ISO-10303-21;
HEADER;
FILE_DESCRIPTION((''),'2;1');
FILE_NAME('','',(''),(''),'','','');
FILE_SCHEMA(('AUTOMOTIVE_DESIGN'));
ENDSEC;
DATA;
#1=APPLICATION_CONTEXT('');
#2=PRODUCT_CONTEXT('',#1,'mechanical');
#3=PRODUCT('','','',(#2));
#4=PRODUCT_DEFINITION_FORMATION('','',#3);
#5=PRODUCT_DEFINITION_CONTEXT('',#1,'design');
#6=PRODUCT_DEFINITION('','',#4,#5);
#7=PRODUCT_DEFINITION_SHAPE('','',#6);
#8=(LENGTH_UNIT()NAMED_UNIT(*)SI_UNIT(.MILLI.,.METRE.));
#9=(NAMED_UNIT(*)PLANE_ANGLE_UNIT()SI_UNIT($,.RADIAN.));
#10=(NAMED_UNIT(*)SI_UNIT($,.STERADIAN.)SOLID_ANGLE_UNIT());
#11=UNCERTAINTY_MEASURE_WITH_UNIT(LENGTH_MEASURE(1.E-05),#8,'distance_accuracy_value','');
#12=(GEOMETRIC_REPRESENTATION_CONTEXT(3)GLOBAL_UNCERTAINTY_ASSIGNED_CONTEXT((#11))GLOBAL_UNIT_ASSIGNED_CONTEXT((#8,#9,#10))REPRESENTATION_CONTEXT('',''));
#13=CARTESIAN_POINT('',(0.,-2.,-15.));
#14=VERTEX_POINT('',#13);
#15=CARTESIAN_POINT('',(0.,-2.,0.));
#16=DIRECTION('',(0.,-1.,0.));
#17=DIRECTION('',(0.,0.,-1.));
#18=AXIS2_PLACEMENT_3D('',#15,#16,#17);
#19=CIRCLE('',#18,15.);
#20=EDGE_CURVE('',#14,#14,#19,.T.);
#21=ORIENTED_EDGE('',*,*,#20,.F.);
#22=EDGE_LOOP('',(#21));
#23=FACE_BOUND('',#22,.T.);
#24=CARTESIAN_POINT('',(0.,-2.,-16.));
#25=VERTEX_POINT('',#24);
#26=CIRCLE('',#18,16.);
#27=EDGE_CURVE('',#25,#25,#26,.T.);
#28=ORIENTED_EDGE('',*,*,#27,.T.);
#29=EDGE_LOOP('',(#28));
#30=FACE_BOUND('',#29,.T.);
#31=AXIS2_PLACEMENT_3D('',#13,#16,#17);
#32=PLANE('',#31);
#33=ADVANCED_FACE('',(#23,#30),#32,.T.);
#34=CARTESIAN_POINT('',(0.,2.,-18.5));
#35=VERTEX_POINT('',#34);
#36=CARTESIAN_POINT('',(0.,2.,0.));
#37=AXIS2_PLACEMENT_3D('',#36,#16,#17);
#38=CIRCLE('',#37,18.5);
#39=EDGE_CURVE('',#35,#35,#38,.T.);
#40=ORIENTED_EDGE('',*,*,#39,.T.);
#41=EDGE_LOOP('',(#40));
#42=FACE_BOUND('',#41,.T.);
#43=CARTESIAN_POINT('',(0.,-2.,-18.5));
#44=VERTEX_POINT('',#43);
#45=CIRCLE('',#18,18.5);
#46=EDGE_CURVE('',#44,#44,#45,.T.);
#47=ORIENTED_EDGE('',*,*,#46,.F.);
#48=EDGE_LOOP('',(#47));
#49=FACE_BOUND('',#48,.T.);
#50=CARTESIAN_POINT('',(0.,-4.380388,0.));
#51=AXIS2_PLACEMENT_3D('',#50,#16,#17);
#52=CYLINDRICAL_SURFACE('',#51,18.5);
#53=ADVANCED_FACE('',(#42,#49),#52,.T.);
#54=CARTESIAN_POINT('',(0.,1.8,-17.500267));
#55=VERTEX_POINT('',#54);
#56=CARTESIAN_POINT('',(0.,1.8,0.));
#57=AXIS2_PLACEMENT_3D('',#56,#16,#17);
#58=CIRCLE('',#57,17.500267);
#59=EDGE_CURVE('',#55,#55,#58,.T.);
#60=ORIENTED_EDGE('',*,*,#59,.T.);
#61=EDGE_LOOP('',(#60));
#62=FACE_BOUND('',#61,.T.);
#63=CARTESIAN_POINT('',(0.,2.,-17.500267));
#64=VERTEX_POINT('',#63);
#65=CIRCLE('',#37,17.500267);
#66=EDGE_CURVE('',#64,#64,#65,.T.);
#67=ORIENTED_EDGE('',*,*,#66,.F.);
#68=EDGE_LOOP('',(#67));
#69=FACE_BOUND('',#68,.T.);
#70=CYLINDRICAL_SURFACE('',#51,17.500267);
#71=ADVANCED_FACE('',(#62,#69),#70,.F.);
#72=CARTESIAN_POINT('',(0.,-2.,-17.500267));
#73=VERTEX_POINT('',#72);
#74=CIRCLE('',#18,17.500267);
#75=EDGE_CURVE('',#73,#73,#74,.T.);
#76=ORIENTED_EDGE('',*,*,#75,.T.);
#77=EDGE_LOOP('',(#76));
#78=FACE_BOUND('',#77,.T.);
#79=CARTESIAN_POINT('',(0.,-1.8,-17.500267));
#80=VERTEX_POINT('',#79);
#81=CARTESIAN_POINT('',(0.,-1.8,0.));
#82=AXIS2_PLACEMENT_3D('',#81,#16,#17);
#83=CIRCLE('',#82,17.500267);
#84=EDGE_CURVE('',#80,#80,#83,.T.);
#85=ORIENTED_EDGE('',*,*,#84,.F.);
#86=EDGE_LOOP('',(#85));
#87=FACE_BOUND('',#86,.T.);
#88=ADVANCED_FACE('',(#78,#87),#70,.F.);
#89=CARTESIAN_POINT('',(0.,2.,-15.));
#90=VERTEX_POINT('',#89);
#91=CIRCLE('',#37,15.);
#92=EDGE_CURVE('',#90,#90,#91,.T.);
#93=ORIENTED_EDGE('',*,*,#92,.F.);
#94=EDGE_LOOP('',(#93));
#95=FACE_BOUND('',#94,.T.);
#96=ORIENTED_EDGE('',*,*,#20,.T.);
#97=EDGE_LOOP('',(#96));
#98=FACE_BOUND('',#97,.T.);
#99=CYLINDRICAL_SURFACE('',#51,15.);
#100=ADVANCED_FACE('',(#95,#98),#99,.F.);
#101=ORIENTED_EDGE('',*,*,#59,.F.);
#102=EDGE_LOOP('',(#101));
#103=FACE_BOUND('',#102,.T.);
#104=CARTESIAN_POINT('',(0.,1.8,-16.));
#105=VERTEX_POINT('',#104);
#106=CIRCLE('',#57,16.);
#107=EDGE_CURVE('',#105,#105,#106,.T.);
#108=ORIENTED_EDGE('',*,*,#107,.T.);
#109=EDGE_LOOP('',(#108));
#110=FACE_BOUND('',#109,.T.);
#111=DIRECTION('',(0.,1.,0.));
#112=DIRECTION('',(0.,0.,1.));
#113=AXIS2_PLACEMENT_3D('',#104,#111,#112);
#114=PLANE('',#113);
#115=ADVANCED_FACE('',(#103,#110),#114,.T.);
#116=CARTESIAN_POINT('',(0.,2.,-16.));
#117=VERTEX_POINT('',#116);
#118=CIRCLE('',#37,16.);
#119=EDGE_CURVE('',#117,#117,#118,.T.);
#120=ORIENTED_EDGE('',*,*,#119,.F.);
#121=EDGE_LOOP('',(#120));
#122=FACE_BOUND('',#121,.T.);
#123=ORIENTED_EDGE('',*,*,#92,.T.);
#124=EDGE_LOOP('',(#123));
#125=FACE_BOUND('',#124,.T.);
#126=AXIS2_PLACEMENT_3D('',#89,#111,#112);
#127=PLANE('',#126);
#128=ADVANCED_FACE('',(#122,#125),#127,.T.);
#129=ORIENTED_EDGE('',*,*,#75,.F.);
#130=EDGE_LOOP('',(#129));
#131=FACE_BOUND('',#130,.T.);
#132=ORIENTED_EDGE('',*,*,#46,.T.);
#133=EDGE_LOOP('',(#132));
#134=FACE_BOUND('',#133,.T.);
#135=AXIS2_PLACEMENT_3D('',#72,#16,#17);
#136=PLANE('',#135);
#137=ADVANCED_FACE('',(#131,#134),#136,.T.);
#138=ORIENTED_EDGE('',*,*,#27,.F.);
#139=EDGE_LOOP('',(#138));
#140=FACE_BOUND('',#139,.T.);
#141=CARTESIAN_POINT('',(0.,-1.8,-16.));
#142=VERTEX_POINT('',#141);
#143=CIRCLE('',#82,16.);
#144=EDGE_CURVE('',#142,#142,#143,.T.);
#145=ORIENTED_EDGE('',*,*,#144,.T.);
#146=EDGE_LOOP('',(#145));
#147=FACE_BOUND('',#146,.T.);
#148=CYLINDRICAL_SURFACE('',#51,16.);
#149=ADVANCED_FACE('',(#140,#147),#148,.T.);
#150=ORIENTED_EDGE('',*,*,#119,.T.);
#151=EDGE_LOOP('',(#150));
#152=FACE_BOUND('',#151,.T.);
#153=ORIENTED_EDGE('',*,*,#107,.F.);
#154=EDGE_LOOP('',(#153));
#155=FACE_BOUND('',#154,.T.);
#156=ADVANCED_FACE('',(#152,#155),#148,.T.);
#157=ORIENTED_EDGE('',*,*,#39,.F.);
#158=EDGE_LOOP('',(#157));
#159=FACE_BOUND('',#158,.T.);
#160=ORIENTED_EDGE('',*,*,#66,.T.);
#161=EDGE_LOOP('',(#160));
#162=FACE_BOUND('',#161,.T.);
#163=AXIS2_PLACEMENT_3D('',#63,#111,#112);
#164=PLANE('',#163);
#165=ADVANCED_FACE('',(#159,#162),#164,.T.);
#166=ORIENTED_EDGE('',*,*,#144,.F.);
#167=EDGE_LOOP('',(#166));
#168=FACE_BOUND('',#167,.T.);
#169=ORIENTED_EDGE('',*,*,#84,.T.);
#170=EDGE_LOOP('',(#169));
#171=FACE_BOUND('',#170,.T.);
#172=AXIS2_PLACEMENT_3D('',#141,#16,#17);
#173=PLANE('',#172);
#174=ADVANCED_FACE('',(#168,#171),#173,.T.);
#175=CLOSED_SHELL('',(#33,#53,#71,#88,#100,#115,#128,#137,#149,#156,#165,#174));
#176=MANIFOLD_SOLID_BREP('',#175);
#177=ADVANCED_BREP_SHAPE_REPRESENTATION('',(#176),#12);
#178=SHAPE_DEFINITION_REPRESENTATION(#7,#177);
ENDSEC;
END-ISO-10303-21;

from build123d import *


with BuildPart() as part:
    # 草图1 → 旋转1 (revolve)
    with BuildSketch(Plane(origin=(0, 0, 0), x_dir=(0, 0, -1), z_dir=(1, 0, 0))):
        Polygon((15, 2), (16, 2), (16, 1.8), (17.500267462, 1.8), (17.500267462, 2), (18.5, 2), (18.5, -2), (17.500267462, -2), (17.500267462, -1.8), (16, -1.8), (16, -2), (15, -2), align=None)
    revolve(axis=Axis((0, -4.380388413, 0), (0, 1, 0)))


solid = part.part
